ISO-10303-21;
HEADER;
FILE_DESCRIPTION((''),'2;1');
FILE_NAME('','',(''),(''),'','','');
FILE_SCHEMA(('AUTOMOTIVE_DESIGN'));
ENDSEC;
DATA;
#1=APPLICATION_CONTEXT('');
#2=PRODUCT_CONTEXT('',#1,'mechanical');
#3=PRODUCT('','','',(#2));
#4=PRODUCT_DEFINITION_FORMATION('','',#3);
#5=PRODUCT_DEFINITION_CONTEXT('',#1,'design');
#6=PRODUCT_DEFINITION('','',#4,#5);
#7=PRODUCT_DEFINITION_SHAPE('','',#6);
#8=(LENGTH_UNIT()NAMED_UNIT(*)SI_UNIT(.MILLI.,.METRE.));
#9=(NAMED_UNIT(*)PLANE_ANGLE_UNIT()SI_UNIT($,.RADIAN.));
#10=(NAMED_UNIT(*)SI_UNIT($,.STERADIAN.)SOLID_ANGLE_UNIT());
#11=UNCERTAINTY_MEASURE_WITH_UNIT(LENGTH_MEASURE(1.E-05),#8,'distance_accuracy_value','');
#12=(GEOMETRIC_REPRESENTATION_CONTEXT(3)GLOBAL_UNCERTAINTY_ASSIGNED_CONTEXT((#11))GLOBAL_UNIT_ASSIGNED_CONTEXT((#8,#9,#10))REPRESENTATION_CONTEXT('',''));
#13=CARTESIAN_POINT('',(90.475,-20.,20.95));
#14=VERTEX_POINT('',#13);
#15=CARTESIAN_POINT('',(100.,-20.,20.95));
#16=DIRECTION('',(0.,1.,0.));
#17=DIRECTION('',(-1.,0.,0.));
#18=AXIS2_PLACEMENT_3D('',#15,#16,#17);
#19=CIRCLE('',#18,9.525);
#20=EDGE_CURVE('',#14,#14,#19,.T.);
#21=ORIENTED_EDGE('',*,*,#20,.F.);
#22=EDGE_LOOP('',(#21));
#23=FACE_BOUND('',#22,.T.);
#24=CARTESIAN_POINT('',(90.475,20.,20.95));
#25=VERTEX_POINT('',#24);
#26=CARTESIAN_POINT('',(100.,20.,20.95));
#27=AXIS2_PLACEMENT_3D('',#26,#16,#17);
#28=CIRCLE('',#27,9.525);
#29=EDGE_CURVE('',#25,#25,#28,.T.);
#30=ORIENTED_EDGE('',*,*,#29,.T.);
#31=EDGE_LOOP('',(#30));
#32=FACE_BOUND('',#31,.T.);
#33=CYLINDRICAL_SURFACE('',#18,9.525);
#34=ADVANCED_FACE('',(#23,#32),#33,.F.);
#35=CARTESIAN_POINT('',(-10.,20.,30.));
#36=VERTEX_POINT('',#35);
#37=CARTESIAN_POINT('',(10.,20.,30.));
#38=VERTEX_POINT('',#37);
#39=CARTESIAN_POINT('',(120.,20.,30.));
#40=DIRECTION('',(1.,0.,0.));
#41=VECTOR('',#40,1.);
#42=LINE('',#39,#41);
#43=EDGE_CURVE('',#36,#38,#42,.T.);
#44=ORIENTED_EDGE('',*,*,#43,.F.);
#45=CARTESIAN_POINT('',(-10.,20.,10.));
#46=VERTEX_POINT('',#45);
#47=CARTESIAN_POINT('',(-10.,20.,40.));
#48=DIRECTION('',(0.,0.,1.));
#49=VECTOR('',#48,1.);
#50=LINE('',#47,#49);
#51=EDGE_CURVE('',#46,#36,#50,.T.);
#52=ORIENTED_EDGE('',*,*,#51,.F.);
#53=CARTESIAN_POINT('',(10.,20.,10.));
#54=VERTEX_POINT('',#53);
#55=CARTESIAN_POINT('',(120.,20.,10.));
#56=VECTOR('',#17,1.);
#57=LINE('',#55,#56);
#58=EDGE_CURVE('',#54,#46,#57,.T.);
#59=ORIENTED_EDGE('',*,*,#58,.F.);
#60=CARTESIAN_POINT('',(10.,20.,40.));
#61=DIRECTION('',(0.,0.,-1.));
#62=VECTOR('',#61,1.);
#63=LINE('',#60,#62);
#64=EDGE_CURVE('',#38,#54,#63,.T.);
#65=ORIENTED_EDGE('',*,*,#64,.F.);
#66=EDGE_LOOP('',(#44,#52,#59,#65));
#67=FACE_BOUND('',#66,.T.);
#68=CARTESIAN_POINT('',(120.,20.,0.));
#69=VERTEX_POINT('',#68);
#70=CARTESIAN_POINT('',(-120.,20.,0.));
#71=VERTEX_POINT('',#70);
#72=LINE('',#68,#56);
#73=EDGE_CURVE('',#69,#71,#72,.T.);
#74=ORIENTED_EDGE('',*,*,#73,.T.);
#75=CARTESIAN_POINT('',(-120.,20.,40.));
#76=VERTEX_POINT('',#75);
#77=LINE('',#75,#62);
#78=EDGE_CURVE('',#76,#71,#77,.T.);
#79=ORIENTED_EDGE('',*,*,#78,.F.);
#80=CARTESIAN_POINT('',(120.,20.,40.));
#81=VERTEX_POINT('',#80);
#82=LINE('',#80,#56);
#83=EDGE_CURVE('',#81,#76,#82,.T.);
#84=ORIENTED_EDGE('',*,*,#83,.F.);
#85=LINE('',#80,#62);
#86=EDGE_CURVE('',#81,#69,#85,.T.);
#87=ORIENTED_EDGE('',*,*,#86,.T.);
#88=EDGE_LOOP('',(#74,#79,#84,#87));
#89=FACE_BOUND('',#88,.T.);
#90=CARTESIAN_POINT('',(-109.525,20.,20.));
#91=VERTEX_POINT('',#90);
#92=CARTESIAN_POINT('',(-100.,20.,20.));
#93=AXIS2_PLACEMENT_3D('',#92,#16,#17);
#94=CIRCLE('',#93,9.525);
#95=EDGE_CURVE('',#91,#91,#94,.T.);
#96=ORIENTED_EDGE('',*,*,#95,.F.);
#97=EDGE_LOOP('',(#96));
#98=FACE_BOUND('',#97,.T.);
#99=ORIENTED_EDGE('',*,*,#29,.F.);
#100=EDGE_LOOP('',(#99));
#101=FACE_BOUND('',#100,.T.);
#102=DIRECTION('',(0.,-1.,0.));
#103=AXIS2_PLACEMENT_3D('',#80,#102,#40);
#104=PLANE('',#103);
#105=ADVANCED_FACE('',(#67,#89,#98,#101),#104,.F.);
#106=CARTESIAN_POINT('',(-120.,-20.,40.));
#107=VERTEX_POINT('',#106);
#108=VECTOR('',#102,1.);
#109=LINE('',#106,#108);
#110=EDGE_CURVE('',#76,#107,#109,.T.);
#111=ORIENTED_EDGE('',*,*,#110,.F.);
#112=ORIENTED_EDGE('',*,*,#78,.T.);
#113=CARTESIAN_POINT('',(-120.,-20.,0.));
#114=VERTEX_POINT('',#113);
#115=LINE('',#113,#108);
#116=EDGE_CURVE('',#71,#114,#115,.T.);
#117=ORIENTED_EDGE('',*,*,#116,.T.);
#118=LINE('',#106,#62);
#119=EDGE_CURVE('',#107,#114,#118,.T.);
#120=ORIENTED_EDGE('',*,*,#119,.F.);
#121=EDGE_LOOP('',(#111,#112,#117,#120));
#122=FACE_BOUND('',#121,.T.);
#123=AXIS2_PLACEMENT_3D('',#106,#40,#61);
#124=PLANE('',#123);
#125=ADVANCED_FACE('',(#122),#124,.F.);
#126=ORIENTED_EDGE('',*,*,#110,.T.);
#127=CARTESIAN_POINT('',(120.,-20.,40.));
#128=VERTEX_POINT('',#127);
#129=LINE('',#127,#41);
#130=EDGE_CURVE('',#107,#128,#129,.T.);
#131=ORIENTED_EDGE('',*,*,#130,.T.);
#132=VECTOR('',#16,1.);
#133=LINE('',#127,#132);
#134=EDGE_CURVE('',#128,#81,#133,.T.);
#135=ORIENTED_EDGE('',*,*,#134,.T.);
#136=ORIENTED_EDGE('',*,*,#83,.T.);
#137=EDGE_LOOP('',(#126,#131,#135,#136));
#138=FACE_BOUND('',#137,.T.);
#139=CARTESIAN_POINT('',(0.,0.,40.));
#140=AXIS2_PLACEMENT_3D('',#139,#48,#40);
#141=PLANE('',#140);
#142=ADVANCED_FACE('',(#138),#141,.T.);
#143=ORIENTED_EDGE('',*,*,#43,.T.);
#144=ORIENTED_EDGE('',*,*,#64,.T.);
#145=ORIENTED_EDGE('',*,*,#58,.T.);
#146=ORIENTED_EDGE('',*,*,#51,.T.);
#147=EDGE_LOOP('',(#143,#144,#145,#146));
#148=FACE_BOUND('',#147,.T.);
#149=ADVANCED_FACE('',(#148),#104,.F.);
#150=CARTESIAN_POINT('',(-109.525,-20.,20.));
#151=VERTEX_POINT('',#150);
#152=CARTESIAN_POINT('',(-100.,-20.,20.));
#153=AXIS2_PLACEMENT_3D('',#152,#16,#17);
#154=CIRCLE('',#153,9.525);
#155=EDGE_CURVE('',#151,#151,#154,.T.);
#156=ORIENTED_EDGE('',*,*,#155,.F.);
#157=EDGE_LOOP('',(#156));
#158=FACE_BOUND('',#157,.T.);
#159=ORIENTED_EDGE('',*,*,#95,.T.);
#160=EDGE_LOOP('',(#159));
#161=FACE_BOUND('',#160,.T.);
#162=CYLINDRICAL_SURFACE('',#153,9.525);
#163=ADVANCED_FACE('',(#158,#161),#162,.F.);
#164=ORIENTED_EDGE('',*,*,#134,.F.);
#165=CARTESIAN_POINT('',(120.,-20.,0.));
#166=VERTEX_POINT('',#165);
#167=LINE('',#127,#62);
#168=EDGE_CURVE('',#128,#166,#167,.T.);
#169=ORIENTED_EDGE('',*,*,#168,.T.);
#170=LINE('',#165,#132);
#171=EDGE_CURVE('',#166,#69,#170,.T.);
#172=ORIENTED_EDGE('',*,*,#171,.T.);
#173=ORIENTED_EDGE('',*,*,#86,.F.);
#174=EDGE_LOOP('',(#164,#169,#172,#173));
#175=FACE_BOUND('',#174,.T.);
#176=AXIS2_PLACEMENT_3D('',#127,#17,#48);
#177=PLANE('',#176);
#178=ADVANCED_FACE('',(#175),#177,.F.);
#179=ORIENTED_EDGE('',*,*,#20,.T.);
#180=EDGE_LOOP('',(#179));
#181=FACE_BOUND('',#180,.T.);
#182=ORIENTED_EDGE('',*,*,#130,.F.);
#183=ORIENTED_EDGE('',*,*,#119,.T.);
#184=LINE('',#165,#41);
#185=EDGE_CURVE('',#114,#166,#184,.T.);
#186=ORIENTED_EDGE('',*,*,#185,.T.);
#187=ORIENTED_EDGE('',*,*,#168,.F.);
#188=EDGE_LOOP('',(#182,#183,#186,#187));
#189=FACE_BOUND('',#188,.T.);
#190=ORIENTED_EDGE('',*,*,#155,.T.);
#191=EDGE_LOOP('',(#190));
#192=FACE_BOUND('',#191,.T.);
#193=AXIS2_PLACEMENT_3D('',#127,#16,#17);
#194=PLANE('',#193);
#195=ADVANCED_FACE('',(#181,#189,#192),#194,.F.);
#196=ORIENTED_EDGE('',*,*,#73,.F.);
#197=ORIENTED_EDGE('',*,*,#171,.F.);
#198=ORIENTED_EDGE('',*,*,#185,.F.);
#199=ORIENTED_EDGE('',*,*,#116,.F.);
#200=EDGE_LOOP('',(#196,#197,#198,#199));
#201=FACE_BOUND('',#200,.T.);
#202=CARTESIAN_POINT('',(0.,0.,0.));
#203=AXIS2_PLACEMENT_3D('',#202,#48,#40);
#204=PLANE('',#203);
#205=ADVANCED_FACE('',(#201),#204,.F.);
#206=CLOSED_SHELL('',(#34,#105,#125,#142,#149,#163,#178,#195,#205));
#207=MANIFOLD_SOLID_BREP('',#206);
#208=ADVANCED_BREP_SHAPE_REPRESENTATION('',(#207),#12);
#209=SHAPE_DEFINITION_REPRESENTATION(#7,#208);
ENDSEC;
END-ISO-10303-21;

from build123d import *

# Parameters (mm, degrees)
SKETCH1_W           = 240
SKETCH1_H           = 40
BOSS_EXTRUDE1_DEPTH = 40
SKETCH3_R           = 9.525
CUT_EXTRUDE4_DEPTH  = 133.664991614


with BuildPart() as part:
    # Sketch1 → Boss-Extrude1 (new body)
    with BuildSketch(Plane.XY):
        Rectangle(SKETCH1_W, SKETCH1_H)
    extrude(amount=BOSS_EXTRUDE1_DEPTH)

    # Sketch3 → Cut-Extrude4 (cut, through all)
    with BuildSketch(Plane(origin=(0, 20, 0), x_dir=(1, 0, 0), z_dir=(0, 1, 0))):
        with Locations(Location((-100, -20, 0), (0, 0, 180))):
            Circle(SKETCH3_R)
        with Locations(Location((100, -20.95, 0), (0, 0, 180))):
            Circle(SKETCH3_R)
    extrude(amount=-CUT_EXTRUDE4_DEPTH, mode=Mode.SUBTRACT)


solid = part.part
